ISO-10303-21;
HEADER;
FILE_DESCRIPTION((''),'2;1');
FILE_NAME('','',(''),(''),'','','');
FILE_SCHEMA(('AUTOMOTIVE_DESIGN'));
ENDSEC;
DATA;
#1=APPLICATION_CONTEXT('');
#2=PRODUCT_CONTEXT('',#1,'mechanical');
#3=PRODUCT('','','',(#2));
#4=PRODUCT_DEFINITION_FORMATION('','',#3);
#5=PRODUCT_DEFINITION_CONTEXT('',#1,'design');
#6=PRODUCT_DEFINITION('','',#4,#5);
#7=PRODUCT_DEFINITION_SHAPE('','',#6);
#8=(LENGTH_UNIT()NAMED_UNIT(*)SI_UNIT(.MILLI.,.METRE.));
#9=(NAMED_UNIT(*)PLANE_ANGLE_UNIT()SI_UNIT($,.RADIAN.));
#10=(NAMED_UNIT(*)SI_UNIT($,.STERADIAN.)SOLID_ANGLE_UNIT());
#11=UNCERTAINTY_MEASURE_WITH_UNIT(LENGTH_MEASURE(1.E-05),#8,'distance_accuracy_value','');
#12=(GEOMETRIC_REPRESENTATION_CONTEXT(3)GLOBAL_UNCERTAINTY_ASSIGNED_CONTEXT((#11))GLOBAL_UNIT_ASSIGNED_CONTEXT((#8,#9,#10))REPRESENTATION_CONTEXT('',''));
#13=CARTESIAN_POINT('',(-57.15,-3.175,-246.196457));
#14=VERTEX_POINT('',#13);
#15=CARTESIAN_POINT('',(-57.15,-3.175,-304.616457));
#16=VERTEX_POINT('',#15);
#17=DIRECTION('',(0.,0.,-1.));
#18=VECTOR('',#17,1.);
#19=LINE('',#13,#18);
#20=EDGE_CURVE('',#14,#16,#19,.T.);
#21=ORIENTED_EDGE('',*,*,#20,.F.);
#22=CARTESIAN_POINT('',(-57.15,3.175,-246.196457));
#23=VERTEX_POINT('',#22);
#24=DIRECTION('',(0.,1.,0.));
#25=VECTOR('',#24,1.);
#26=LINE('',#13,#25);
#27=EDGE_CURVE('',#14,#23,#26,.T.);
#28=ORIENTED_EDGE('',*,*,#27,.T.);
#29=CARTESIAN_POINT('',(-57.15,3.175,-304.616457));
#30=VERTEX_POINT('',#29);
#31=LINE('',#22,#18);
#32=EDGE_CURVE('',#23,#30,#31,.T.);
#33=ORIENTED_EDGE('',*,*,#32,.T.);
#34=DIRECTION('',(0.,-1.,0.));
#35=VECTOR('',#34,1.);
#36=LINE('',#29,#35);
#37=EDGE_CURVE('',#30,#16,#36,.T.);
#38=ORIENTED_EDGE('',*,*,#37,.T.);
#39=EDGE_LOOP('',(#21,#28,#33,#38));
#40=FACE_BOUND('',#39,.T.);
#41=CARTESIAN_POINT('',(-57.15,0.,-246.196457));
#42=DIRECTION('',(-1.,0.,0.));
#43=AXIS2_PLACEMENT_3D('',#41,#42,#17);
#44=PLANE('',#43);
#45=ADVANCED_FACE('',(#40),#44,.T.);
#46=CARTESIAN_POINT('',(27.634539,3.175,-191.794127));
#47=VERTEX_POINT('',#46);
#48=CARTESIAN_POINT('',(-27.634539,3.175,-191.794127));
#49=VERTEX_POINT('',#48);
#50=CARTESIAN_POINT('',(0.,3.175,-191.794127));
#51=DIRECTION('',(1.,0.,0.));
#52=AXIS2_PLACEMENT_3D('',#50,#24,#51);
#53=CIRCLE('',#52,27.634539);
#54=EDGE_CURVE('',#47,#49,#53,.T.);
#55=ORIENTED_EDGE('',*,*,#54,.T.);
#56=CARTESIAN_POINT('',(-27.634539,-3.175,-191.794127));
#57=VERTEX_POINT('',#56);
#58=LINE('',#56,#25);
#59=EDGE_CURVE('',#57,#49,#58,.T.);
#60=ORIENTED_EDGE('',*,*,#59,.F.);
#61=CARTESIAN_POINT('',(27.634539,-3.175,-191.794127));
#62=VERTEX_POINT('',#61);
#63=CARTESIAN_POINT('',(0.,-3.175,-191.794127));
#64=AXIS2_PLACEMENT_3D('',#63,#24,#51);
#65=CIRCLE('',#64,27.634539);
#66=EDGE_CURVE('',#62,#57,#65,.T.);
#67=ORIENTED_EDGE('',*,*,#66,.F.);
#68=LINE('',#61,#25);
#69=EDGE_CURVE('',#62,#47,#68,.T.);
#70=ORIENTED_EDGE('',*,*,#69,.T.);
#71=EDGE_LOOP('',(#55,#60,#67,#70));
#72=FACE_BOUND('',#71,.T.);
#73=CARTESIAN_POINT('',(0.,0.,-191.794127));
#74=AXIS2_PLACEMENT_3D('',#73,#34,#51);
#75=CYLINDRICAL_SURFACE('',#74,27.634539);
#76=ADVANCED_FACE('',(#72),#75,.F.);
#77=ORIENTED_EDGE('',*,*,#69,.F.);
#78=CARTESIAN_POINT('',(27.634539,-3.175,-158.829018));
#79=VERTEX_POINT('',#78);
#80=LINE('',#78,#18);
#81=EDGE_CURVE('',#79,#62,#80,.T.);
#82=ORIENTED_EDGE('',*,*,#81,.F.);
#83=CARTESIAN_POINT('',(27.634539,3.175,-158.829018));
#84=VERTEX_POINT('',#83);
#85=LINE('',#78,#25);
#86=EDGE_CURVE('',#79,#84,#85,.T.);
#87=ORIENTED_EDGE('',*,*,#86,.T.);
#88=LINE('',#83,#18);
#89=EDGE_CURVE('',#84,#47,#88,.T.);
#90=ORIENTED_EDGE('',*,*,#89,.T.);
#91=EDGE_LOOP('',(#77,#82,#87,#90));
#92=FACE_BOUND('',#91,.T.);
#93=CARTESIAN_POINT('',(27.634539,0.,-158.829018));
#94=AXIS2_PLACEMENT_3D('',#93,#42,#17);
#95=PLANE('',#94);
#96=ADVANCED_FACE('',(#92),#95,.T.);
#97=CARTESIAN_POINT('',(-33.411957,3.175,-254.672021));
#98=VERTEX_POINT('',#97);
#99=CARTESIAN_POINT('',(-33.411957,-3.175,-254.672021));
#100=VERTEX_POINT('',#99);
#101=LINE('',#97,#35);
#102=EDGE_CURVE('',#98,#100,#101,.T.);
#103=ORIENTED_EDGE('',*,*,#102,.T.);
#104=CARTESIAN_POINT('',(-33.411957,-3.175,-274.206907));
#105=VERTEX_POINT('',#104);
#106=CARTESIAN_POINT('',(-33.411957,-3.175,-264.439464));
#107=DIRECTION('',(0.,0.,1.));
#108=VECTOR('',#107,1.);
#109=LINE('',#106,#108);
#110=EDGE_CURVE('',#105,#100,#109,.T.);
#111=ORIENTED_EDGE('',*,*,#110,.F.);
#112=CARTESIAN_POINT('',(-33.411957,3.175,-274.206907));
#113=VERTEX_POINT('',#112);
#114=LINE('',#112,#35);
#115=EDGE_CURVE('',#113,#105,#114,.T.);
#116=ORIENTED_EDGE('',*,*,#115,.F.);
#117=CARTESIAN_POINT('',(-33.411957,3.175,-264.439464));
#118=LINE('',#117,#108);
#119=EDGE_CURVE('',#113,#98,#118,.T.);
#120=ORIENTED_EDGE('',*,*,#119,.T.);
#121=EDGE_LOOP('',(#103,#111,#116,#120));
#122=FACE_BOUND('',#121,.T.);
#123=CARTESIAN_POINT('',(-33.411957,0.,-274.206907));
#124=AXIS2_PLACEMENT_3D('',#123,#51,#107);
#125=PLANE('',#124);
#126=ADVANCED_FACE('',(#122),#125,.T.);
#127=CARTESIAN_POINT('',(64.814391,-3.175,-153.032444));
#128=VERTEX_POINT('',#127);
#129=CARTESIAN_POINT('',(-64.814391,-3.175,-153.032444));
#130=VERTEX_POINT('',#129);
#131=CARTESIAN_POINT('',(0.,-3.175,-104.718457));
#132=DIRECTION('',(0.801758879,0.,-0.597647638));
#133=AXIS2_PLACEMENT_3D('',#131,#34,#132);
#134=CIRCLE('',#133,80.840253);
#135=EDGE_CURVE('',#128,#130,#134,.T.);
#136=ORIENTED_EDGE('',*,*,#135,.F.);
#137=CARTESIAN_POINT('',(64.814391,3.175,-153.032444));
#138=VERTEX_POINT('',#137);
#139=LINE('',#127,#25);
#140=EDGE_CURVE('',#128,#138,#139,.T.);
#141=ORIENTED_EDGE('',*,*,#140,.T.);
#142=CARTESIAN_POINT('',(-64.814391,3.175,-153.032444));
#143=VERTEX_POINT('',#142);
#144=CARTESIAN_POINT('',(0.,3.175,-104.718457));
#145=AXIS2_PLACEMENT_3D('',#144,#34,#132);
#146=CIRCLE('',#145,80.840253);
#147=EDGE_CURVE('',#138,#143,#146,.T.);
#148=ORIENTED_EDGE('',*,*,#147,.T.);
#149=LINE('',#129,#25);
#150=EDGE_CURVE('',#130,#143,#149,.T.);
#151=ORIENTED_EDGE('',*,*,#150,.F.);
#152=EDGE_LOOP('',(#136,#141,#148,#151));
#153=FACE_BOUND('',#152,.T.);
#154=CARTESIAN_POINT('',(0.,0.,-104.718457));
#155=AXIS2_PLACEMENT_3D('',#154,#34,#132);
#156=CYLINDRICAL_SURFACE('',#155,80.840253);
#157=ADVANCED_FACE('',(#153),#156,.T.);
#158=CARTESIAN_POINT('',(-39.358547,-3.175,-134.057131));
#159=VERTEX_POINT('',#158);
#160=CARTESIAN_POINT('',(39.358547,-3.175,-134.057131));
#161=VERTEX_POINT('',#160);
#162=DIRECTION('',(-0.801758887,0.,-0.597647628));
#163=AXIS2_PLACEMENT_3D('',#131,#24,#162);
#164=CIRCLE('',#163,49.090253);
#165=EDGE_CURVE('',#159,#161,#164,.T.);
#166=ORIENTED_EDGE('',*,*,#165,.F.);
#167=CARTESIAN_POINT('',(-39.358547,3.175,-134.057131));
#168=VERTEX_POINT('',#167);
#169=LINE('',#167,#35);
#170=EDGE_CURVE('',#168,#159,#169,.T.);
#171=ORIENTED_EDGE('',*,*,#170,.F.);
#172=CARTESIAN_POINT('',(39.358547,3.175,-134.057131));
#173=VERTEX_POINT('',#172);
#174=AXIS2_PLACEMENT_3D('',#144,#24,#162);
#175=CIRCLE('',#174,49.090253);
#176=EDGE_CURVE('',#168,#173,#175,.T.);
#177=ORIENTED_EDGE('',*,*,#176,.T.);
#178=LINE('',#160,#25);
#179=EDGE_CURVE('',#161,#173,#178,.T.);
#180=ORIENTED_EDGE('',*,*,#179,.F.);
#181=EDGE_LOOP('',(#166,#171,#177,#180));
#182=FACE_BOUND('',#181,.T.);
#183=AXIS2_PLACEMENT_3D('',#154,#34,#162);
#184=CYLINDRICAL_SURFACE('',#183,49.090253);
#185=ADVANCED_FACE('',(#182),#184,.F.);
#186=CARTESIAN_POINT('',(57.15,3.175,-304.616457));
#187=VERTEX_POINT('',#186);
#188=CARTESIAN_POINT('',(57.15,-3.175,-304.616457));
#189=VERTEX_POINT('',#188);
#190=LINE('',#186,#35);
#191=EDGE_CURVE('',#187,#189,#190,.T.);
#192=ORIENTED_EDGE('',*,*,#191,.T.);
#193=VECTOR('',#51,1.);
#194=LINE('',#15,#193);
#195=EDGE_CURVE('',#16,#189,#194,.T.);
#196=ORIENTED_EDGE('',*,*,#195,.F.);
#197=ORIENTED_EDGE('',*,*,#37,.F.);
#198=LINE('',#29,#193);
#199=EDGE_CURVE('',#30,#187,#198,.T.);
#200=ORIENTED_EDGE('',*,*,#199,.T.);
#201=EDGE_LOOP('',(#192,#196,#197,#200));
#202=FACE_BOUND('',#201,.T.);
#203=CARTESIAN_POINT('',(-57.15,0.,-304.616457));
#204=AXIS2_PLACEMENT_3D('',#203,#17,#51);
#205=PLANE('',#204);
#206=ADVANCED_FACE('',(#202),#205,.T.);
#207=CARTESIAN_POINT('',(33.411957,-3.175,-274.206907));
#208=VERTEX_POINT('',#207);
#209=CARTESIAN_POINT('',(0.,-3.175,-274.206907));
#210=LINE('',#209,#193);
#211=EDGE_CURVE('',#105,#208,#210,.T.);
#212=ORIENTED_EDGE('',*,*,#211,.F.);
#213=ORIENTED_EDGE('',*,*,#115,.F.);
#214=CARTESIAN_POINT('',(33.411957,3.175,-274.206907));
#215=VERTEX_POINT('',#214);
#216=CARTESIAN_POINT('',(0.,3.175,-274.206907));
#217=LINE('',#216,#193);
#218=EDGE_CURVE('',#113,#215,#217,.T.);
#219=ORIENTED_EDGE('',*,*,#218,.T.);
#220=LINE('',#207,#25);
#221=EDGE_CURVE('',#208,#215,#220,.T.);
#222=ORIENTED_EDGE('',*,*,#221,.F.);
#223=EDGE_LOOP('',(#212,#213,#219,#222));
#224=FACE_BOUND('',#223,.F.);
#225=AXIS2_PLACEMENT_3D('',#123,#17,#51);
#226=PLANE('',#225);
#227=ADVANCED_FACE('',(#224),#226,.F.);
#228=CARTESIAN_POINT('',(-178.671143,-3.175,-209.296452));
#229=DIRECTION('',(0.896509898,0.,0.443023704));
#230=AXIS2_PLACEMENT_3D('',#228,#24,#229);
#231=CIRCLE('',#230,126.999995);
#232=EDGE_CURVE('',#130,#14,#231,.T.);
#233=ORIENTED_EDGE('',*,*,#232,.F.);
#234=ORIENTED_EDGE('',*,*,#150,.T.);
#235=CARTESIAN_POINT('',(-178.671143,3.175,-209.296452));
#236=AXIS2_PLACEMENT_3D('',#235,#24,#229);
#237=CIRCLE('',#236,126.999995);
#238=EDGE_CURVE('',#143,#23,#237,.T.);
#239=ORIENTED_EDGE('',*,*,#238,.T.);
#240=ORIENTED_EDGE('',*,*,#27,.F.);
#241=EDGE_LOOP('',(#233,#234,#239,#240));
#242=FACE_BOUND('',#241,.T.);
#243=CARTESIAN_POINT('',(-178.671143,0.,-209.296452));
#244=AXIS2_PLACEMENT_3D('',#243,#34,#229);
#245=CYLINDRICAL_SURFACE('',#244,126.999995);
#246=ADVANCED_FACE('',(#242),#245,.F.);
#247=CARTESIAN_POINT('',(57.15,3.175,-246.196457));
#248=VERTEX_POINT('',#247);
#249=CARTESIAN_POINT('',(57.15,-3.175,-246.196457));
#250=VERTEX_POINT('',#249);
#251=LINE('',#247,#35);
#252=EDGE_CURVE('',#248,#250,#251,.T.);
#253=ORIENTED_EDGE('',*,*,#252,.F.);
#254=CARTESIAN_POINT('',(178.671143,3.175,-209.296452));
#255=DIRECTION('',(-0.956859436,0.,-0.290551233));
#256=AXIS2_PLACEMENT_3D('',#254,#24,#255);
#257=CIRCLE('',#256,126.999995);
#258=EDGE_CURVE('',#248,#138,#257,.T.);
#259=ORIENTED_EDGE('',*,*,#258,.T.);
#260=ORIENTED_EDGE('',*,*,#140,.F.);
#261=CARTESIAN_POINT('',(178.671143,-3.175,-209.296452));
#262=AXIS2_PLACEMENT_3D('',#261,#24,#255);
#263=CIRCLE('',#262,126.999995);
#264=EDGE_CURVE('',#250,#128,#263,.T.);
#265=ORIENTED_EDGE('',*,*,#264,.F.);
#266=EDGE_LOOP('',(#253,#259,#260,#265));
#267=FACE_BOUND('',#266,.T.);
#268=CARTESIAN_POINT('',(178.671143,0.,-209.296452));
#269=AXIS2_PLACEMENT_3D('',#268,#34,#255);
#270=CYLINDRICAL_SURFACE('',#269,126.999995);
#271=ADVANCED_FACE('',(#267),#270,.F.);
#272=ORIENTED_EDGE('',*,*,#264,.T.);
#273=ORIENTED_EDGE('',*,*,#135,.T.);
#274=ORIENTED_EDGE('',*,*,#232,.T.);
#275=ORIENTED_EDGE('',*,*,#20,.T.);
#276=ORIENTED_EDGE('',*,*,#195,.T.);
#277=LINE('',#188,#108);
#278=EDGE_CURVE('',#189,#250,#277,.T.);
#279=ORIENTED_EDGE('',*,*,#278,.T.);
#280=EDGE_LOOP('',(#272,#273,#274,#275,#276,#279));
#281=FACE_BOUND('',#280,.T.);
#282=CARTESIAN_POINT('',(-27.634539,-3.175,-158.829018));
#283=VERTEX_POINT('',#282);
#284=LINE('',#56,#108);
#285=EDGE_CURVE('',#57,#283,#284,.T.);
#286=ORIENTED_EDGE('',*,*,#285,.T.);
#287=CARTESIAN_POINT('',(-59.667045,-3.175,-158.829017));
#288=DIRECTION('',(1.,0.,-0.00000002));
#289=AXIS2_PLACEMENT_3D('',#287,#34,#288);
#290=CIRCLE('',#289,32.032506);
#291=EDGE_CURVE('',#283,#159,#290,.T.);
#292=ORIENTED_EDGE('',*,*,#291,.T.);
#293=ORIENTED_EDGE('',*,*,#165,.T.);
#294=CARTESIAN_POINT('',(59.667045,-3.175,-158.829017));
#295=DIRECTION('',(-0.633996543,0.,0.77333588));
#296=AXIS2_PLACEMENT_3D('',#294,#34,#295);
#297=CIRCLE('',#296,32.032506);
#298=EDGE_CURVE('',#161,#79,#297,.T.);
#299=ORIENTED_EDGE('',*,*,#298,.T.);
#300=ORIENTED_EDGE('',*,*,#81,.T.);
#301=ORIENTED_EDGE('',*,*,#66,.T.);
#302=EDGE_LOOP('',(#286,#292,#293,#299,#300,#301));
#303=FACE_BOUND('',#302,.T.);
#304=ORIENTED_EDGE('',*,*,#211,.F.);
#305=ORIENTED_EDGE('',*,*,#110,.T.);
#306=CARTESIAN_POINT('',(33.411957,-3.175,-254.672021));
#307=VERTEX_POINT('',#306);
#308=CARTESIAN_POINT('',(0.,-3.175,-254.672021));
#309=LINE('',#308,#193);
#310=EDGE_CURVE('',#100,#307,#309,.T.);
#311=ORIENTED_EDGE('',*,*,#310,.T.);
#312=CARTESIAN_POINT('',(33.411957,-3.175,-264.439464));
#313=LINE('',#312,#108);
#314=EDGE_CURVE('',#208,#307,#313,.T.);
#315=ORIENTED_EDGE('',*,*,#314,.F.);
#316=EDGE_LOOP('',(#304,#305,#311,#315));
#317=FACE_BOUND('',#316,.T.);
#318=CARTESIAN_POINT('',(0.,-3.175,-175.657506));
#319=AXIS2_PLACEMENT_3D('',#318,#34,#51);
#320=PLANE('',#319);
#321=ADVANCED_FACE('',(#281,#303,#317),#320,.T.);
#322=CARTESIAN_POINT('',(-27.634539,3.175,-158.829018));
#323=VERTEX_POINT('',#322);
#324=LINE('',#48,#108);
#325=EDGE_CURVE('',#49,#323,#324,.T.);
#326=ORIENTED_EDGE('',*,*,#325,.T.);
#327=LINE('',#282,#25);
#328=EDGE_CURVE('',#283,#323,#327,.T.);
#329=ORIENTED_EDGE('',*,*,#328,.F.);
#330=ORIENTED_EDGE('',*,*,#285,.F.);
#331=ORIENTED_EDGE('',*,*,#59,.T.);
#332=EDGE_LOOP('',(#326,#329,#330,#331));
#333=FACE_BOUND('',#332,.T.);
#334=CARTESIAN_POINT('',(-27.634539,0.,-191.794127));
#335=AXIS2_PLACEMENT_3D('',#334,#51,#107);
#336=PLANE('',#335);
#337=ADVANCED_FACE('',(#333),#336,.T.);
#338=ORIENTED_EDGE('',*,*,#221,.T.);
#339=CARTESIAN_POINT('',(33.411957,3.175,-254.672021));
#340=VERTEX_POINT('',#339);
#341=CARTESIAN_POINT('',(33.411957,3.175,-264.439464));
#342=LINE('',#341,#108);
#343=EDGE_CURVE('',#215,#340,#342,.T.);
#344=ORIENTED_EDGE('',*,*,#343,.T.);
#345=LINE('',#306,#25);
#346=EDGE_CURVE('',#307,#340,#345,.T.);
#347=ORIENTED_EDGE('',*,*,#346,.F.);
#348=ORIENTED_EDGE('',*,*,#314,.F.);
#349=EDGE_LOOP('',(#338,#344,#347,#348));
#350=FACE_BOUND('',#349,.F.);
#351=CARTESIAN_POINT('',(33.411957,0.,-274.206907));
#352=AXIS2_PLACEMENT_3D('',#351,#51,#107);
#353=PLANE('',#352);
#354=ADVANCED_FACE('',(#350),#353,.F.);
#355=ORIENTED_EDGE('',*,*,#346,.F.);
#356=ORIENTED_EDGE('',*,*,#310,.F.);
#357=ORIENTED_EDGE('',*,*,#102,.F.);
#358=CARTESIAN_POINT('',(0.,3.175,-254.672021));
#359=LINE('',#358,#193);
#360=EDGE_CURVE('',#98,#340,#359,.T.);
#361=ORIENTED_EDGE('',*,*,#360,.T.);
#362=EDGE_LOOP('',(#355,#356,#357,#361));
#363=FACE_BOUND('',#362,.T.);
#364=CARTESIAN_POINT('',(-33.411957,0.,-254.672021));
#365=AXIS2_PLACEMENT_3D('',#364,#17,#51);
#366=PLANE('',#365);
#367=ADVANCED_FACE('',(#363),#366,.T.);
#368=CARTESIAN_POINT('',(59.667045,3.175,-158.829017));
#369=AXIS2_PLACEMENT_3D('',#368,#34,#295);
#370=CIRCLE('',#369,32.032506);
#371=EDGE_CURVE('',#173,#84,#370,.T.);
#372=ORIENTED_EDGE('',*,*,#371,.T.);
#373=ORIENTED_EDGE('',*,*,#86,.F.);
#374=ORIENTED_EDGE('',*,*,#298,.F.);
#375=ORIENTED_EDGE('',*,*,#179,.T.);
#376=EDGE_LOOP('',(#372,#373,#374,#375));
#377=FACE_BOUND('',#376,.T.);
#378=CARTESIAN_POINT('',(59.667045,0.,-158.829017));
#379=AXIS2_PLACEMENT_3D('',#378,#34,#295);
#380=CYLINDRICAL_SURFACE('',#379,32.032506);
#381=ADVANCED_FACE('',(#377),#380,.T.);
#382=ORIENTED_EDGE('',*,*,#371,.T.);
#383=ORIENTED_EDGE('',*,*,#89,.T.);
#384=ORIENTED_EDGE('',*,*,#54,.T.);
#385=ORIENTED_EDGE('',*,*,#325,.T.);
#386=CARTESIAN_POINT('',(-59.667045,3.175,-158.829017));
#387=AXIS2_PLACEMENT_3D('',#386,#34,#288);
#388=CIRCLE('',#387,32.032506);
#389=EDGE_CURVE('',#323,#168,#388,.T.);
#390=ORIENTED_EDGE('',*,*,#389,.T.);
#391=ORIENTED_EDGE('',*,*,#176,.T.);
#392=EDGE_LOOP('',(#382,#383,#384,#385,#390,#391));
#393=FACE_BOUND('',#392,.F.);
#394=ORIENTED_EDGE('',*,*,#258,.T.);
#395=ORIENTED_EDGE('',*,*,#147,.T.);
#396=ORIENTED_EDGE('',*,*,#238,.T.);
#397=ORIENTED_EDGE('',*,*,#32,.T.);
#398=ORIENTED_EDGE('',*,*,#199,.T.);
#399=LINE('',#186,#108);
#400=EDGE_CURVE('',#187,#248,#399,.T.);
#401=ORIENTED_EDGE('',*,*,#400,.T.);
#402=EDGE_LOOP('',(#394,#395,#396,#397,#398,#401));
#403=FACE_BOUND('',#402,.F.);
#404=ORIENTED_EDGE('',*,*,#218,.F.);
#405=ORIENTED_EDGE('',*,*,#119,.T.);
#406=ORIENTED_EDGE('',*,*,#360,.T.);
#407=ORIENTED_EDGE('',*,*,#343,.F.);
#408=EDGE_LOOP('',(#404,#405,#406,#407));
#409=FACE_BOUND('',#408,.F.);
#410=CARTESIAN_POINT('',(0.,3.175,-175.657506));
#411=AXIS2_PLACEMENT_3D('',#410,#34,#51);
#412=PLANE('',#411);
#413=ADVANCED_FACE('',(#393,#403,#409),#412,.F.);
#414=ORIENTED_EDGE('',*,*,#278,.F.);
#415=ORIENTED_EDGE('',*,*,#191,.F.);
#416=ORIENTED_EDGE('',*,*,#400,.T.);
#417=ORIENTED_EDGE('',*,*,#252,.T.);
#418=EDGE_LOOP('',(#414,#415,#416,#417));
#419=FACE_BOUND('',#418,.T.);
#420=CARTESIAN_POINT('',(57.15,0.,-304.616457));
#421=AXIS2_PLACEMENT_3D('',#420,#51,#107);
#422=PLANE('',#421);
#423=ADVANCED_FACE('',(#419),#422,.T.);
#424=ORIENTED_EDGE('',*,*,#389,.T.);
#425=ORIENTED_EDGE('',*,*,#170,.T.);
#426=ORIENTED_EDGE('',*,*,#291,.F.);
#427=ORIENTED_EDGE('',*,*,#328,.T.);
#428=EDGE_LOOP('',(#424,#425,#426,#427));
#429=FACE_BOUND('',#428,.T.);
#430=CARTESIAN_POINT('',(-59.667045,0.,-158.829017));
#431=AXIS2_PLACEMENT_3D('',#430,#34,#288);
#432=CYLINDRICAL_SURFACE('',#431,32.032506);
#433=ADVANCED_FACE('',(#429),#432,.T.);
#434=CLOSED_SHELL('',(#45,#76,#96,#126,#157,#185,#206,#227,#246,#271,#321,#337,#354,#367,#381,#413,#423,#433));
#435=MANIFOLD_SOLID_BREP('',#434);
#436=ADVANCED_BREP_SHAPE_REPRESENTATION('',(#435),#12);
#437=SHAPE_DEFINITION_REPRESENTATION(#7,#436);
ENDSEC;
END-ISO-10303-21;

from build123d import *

# Parameters (mm, degrees)
F0_W     = 66.823914
F0_H     = 19.534886
F1_DEPTH = 3.175


with BuildPart() as f1:
    # F0 (on Front) → F1 (new body, symmetric)
    with BuildSketch(Plane.XZ):
        with BuildLine():
            Line((-57.15, -246.196457), (-57.15, -304.616457))
            Line((-57.15, -304.616457), (0, -304.616457))
            Line((0, -304.616457), (57.15, -304.616457))
            Line((57.15, -304.616457), (57.15, -246.196457))
            ThreePointArc((57.15, -246.196457), (52.098746, -198.883629), (64.814391, -153.032444))
            ThreePointArc((64.814391, -153.032444), (0, -23.878204), (-64.814391, -153.032444))
            ThreePointArc((-64.814391, -153.032444), (-52.098746, -198.883629), (-57.15, -246.196457))
        make_face()
        with Locations((0, -264.439464)):
            Rectangle(F0_W, F0_H, mode=Mode.SUBTRACT)
        with BuildLine():
            ThreePointArc((-39.358547, -134.057131), (0, -55.628204), (39.358547, -134.057131))
            ThreePointArc((39.358547, -134.057131), (30.713517, -145.125928), (27.634539, -158.829018))
            Line((27.634539, -158.829018), (27.634539, -191.794127))
            ThreePointArc((27.634539, -191.794127), (0, -219.428666), (-27.634539, -191.794127))
            Line((-27.634539, -191.794127), (-27.634539, -158.829018))
            ThreePointArc((-27.634539, -158.829018), (-30.713517, -145.125928), (-39.358547, -134.057131))
        make_face(mode=Mode.SUBTRACT)
    extrude(amount=F1_DEPTH, both=True)


solid = f1.part
